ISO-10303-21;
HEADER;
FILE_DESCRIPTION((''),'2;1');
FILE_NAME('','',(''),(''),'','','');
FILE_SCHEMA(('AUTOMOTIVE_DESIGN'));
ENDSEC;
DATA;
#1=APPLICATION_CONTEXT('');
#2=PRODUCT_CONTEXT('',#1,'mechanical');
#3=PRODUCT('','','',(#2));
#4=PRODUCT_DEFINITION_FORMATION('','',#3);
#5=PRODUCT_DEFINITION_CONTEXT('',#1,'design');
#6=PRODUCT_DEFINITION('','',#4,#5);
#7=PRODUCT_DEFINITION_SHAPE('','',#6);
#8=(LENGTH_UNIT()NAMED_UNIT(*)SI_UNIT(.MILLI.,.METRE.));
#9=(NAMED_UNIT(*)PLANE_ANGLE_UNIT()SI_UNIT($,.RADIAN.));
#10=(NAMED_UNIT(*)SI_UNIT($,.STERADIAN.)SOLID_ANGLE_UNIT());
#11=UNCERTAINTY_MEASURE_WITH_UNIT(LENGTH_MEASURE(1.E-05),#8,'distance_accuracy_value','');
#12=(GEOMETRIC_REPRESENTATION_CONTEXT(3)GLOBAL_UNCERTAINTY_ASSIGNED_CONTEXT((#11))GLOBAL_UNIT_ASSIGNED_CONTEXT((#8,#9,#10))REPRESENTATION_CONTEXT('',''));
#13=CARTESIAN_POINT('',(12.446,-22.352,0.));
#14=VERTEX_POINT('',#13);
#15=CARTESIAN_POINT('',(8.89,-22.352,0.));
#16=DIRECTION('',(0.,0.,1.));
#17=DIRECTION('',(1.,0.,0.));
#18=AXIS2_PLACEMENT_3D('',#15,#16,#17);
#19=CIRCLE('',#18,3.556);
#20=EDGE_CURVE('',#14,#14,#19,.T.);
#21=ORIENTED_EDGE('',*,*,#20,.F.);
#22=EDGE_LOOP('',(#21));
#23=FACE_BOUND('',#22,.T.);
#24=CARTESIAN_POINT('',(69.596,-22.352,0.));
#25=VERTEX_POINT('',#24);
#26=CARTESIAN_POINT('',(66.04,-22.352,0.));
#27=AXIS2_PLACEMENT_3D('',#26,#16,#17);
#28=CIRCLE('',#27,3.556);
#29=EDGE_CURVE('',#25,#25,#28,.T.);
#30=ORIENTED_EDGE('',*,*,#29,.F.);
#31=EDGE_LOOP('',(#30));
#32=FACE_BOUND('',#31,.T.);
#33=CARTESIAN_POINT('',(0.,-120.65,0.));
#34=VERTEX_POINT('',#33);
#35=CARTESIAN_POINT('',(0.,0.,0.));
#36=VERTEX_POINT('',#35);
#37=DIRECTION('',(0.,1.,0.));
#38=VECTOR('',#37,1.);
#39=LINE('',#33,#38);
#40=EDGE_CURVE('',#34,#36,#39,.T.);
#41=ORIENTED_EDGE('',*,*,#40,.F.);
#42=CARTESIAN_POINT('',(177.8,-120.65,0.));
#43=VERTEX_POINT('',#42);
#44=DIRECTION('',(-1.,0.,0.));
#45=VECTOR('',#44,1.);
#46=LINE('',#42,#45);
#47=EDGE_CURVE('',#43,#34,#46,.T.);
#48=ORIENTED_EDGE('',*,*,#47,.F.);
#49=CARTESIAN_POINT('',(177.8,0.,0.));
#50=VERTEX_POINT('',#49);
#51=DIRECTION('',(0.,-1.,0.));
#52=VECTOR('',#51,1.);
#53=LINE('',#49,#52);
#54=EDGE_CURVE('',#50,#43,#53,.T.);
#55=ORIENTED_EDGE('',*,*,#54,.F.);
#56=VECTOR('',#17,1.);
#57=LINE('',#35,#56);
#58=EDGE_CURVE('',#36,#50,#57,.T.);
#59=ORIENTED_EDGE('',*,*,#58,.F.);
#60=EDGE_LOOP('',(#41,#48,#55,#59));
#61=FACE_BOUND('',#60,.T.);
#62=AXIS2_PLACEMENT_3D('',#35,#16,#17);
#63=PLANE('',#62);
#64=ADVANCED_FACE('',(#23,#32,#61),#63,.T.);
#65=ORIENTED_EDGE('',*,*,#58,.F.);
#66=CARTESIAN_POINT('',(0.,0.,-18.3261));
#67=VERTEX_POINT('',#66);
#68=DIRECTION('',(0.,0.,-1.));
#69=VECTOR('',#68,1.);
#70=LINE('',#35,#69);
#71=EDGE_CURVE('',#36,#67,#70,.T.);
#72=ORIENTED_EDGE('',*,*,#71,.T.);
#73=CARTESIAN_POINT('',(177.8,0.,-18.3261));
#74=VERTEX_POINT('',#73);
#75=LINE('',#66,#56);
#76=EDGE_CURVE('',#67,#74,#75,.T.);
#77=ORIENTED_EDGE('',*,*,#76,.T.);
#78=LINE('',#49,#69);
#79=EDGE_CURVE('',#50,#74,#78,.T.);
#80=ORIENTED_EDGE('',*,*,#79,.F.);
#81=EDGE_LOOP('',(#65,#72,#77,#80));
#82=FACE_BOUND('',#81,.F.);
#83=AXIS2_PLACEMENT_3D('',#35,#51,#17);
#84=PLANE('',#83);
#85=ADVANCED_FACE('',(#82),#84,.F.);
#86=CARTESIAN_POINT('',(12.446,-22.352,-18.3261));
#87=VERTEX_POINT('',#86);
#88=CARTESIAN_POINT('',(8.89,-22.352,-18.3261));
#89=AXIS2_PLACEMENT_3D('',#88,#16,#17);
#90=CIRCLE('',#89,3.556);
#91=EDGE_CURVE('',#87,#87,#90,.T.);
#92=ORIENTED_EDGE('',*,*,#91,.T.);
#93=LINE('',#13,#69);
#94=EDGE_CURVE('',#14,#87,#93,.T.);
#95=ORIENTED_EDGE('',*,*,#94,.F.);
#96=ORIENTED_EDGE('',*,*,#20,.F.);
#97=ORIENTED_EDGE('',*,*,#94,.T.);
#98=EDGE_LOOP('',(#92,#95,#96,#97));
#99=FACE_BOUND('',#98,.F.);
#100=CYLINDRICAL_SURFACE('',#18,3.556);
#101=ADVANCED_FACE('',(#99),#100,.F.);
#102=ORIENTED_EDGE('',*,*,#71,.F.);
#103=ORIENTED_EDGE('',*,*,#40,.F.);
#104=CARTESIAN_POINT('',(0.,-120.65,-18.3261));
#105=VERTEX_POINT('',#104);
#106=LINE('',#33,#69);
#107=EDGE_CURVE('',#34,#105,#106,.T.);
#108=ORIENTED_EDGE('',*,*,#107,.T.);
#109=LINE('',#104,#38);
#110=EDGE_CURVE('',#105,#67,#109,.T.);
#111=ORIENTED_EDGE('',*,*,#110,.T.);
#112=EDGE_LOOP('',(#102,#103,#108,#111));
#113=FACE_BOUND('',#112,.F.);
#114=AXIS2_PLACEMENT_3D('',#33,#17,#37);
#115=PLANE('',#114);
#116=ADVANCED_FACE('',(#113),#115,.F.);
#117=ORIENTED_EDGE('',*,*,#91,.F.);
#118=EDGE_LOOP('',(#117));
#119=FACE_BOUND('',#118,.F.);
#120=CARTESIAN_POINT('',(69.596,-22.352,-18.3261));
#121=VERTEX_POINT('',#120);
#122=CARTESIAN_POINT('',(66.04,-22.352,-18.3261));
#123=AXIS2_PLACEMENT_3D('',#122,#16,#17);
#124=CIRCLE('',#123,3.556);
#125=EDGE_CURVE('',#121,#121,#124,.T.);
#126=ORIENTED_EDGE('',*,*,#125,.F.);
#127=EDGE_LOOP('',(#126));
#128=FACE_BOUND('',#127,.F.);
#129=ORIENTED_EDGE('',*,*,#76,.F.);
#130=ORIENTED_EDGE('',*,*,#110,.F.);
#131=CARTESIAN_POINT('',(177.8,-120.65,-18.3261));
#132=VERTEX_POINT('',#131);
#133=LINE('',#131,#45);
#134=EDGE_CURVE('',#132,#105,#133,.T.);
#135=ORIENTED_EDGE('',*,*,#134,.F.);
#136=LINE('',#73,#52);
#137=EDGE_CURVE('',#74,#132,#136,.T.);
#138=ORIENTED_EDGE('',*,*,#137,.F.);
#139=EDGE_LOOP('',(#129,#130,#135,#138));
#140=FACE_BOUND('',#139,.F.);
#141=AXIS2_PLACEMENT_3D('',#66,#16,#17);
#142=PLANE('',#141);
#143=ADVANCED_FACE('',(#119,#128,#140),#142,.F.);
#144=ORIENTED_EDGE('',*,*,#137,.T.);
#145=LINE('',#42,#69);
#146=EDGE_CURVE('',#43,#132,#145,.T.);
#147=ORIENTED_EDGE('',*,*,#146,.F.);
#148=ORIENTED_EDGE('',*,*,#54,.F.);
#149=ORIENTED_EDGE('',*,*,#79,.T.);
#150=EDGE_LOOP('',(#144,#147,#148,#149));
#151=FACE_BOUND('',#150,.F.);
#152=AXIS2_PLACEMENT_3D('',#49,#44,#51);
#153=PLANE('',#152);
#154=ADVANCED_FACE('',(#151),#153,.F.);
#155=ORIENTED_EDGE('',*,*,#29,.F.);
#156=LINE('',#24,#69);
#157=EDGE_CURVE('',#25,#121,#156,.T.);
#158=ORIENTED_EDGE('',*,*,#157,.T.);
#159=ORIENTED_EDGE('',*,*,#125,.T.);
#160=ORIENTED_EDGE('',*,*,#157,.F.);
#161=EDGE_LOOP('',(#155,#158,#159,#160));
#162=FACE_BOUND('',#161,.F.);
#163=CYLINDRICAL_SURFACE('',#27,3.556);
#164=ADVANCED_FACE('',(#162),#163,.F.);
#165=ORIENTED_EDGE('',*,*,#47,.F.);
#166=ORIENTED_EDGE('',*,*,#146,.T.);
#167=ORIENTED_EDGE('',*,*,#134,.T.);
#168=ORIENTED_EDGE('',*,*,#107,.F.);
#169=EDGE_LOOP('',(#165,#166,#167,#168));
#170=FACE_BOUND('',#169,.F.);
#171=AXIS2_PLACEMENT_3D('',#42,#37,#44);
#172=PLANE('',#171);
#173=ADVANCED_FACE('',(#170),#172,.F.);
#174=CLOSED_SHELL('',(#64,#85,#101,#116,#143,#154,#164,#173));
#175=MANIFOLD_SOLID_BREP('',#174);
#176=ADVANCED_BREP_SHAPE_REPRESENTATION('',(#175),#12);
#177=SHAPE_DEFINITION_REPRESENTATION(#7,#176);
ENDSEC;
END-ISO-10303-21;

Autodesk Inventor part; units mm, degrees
ref_plane "YZ Plane" through (0, 0, 0) normal (1, 0, 0) x (0, 1, 0)
ref_plane "XZ Plane" through (0, 0, 0) normal (0, 1, 0) x (-1, 0, 0)
ref_plane "XY Plane" through (0, 0, 0) normal (0, 0, 1) x (1, 0, 0)
sketch "Sketch1" plane through (0, 0, 0) normal (0, 0, 1) x (1, 0, 0)
  line L0 (0, 0) -> (177.8, 0)
  line L1 (177.8, 0) -> (177.8, -120.65)
  line L2 (177.8, -120.65) -> (0, -120.65)
  line L3 (0, -120.65) -> (0, 0)
  circle A0 centre (8.89, -22.352) radius 3.556
  circle A1 centre (66.04, -22.352) radius 3.556
  dimension "d0" = 177.8
  dimension "d1" = 120.65
  dimension "d2" = 7.112
  dimension "d3" = 8.89
  dimension "d4" = 98.298
  dimension "d5" = 7.112
  dimension "d6" = 98.298
  dimension "d7" = 57.15
extrude "Extrusion1" add sketch "Sketch1" against normal blind 18.3261
properties part number "kermit bumper (small 4)"
